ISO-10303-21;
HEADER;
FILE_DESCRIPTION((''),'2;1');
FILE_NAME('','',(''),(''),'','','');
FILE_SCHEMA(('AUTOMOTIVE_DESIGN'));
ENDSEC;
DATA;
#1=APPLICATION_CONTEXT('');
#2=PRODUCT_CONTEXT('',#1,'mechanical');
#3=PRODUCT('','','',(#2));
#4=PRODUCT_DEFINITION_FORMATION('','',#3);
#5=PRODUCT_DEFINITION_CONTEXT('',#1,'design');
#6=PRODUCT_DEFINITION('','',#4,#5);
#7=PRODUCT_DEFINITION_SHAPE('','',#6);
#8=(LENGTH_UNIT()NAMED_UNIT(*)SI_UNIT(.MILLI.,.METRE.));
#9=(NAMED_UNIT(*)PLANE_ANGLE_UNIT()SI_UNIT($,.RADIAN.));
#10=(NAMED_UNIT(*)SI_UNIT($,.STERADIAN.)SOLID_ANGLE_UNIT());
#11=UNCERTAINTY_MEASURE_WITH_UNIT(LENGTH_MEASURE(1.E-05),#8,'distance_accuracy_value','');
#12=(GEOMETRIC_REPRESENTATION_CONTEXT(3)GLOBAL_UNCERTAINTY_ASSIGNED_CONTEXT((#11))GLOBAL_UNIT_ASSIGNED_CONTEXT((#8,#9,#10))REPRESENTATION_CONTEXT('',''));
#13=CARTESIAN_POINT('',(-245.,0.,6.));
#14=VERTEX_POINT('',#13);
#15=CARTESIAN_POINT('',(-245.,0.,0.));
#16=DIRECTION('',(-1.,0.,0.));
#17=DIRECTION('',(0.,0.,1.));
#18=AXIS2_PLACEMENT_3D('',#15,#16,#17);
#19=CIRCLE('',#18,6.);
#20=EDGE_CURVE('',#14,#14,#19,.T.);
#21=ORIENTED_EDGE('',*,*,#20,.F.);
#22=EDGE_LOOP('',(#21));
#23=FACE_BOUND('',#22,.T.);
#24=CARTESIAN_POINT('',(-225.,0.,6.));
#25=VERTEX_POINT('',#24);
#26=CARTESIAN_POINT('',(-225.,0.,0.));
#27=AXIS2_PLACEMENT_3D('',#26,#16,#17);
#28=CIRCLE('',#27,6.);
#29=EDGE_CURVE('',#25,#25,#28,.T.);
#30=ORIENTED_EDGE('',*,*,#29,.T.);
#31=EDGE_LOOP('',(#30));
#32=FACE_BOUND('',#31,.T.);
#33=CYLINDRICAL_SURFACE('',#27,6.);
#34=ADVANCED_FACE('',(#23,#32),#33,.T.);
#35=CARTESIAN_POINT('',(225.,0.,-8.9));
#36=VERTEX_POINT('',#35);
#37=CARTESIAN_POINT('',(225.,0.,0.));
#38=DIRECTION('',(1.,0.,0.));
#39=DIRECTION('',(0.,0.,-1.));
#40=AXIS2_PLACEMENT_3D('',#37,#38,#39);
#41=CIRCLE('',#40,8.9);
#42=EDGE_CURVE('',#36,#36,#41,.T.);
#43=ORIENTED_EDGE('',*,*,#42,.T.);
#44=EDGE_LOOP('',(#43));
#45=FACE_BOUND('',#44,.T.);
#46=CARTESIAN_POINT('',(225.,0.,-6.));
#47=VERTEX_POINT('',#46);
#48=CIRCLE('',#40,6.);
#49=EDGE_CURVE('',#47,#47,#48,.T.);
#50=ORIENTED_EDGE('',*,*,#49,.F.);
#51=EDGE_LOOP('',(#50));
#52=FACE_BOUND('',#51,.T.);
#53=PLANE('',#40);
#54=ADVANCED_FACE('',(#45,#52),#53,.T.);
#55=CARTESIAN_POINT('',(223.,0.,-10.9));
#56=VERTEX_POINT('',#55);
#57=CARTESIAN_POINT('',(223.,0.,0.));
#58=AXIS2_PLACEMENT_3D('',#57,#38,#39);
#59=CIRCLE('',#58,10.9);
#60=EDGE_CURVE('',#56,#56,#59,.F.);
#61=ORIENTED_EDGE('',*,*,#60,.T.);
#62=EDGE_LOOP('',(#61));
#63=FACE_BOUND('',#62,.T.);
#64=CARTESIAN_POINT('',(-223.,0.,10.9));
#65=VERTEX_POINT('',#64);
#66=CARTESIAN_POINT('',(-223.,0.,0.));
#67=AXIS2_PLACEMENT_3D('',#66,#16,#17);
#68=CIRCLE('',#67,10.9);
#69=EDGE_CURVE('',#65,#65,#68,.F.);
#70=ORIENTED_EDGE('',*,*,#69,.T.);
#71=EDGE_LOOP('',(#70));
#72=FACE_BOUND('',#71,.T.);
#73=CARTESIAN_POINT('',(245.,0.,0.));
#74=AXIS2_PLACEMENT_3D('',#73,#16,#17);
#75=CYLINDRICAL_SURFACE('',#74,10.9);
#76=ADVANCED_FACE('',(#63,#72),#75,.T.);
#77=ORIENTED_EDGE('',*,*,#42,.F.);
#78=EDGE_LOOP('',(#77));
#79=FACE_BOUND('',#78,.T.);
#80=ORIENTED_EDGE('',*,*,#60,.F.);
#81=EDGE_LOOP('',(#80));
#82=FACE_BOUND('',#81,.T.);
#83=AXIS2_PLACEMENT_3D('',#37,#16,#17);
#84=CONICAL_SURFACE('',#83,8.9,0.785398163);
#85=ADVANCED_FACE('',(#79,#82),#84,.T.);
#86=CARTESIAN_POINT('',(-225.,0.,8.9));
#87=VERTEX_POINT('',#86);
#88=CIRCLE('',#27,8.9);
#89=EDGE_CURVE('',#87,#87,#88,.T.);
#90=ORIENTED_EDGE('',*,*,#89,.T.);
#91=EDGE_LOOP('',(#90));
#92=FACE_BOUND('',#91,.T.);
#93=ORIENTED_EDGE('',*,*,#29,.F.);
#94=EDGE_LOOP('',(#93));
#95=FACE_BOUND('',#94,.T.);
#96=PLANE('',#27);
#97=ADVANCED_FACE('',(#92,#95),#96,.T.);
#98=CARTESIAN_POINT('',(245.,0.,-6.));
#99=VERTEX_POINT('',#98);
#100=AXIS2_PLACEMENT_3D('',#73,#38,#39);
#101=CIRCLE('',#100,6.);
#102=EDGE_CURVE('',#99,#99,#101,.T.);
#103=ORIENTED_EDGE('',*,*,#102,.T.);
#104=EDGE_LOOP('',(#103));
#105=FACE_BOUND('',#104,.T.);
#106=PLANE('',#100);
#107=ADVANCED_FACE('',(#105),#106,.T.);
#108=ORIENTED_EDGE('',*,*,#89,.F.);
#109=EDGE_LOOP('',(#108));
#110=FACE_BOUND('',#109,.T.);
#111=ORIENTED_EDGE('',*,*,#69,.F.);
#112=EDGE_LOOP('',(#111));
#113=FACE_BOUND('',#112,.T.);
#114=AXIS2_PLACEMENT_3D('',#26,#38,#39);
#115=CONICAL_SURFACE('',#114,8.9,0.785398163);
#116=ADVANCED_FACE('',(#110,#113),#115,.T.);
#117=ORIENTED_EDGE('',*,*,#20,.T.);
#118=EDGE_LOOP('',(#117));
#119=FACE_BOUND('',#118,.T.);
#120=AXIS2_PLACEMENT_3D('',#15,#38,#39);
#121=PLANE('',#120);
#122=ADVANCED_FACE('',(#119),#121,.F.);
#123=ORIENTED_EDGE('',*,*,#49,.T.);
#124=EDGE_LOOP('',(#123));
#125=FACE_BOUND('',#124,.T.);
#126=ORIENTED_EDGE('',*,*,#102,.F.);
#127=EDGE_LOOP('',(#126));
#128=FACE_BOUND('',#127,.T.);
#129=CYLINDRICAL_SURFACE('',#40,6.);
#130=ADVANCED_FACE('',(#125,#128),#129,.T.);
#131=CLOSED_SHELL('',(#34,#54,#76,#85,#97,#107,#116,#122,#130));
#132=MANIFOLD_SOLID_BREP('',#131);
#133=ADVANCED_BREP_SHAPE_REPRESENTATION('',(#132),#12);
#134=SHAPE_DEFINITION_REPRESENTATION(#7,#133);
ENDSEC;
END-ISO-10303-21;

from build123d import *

# Parameters (mm, degrees)
SKETCH1_R           = 10.9
BOSS_EXTRUDE1_DEPTH = 245
SKETCH2_R           = 10.9
SKETCH2_R_2         = 6
CUT_EXTRUDE1_DEPTH  = 20
CUT_EXTRUDE2_START  = -20
SKETCH4_R           = 10.9
SKETCH4_R_2         = 6
CUT_EXTRUDE2_DEPTH  = 20
CHAMFER1_SIZE       = 2


with BuildPart() as part:
    # Sketch1 → Boss-Extrude1 (new, symmetric)
    with BuildSketch(Plane(origin=(0, 0, 0), x_dir=(0, 0, -1), z_dir=(1, 0, 0))):
        Circle(SKETCH1_R)
    extrude(amount=BOSS_EXTRUDE1_DEPTH, both=True)

    # Sketch2 → Cut-Extrude1 (cut)
    with BuildSketch(Plane(origin=(245, 0, 0), x_dir=(0, 0, -1), z_dir=(1, 0, 0))):
        Circle(SKETCH2_R)
        Circle(SKETCH2_R_2, mode=Mode.SUBTRACT)
    extrude(amount=-CUT_EXTRUDE1_DEPTH, mode=Mode.SUBTRACT)

    # Sketch4 → Cut-Extrude2 (cut)
    with BuildSketch(Plane.ZY.offset(245).offset(CUT_EXTRUDE2_START)):
        Circle(SKETCH4_R)
        with Locations(Location((0, 0, 0), (0, 0, 180))):
            Circle(SKETCH4_R_2, mode=Mode.SUBTRACT)
    extrude(amount=CUT_EXTRUDE2_DEPTH, mode=Mode.SUBTRACT)

    # Chamfer1
    chamfer1_edges = [part.edges().sort_by_distance(p)[0] for p in [
        (-225, 0, 10.9),
        (225, 0, 10.9),
    ]]
    chamfer(chamfer1_edges, length=CHAMFER1_SIZE)


solid = part.part
